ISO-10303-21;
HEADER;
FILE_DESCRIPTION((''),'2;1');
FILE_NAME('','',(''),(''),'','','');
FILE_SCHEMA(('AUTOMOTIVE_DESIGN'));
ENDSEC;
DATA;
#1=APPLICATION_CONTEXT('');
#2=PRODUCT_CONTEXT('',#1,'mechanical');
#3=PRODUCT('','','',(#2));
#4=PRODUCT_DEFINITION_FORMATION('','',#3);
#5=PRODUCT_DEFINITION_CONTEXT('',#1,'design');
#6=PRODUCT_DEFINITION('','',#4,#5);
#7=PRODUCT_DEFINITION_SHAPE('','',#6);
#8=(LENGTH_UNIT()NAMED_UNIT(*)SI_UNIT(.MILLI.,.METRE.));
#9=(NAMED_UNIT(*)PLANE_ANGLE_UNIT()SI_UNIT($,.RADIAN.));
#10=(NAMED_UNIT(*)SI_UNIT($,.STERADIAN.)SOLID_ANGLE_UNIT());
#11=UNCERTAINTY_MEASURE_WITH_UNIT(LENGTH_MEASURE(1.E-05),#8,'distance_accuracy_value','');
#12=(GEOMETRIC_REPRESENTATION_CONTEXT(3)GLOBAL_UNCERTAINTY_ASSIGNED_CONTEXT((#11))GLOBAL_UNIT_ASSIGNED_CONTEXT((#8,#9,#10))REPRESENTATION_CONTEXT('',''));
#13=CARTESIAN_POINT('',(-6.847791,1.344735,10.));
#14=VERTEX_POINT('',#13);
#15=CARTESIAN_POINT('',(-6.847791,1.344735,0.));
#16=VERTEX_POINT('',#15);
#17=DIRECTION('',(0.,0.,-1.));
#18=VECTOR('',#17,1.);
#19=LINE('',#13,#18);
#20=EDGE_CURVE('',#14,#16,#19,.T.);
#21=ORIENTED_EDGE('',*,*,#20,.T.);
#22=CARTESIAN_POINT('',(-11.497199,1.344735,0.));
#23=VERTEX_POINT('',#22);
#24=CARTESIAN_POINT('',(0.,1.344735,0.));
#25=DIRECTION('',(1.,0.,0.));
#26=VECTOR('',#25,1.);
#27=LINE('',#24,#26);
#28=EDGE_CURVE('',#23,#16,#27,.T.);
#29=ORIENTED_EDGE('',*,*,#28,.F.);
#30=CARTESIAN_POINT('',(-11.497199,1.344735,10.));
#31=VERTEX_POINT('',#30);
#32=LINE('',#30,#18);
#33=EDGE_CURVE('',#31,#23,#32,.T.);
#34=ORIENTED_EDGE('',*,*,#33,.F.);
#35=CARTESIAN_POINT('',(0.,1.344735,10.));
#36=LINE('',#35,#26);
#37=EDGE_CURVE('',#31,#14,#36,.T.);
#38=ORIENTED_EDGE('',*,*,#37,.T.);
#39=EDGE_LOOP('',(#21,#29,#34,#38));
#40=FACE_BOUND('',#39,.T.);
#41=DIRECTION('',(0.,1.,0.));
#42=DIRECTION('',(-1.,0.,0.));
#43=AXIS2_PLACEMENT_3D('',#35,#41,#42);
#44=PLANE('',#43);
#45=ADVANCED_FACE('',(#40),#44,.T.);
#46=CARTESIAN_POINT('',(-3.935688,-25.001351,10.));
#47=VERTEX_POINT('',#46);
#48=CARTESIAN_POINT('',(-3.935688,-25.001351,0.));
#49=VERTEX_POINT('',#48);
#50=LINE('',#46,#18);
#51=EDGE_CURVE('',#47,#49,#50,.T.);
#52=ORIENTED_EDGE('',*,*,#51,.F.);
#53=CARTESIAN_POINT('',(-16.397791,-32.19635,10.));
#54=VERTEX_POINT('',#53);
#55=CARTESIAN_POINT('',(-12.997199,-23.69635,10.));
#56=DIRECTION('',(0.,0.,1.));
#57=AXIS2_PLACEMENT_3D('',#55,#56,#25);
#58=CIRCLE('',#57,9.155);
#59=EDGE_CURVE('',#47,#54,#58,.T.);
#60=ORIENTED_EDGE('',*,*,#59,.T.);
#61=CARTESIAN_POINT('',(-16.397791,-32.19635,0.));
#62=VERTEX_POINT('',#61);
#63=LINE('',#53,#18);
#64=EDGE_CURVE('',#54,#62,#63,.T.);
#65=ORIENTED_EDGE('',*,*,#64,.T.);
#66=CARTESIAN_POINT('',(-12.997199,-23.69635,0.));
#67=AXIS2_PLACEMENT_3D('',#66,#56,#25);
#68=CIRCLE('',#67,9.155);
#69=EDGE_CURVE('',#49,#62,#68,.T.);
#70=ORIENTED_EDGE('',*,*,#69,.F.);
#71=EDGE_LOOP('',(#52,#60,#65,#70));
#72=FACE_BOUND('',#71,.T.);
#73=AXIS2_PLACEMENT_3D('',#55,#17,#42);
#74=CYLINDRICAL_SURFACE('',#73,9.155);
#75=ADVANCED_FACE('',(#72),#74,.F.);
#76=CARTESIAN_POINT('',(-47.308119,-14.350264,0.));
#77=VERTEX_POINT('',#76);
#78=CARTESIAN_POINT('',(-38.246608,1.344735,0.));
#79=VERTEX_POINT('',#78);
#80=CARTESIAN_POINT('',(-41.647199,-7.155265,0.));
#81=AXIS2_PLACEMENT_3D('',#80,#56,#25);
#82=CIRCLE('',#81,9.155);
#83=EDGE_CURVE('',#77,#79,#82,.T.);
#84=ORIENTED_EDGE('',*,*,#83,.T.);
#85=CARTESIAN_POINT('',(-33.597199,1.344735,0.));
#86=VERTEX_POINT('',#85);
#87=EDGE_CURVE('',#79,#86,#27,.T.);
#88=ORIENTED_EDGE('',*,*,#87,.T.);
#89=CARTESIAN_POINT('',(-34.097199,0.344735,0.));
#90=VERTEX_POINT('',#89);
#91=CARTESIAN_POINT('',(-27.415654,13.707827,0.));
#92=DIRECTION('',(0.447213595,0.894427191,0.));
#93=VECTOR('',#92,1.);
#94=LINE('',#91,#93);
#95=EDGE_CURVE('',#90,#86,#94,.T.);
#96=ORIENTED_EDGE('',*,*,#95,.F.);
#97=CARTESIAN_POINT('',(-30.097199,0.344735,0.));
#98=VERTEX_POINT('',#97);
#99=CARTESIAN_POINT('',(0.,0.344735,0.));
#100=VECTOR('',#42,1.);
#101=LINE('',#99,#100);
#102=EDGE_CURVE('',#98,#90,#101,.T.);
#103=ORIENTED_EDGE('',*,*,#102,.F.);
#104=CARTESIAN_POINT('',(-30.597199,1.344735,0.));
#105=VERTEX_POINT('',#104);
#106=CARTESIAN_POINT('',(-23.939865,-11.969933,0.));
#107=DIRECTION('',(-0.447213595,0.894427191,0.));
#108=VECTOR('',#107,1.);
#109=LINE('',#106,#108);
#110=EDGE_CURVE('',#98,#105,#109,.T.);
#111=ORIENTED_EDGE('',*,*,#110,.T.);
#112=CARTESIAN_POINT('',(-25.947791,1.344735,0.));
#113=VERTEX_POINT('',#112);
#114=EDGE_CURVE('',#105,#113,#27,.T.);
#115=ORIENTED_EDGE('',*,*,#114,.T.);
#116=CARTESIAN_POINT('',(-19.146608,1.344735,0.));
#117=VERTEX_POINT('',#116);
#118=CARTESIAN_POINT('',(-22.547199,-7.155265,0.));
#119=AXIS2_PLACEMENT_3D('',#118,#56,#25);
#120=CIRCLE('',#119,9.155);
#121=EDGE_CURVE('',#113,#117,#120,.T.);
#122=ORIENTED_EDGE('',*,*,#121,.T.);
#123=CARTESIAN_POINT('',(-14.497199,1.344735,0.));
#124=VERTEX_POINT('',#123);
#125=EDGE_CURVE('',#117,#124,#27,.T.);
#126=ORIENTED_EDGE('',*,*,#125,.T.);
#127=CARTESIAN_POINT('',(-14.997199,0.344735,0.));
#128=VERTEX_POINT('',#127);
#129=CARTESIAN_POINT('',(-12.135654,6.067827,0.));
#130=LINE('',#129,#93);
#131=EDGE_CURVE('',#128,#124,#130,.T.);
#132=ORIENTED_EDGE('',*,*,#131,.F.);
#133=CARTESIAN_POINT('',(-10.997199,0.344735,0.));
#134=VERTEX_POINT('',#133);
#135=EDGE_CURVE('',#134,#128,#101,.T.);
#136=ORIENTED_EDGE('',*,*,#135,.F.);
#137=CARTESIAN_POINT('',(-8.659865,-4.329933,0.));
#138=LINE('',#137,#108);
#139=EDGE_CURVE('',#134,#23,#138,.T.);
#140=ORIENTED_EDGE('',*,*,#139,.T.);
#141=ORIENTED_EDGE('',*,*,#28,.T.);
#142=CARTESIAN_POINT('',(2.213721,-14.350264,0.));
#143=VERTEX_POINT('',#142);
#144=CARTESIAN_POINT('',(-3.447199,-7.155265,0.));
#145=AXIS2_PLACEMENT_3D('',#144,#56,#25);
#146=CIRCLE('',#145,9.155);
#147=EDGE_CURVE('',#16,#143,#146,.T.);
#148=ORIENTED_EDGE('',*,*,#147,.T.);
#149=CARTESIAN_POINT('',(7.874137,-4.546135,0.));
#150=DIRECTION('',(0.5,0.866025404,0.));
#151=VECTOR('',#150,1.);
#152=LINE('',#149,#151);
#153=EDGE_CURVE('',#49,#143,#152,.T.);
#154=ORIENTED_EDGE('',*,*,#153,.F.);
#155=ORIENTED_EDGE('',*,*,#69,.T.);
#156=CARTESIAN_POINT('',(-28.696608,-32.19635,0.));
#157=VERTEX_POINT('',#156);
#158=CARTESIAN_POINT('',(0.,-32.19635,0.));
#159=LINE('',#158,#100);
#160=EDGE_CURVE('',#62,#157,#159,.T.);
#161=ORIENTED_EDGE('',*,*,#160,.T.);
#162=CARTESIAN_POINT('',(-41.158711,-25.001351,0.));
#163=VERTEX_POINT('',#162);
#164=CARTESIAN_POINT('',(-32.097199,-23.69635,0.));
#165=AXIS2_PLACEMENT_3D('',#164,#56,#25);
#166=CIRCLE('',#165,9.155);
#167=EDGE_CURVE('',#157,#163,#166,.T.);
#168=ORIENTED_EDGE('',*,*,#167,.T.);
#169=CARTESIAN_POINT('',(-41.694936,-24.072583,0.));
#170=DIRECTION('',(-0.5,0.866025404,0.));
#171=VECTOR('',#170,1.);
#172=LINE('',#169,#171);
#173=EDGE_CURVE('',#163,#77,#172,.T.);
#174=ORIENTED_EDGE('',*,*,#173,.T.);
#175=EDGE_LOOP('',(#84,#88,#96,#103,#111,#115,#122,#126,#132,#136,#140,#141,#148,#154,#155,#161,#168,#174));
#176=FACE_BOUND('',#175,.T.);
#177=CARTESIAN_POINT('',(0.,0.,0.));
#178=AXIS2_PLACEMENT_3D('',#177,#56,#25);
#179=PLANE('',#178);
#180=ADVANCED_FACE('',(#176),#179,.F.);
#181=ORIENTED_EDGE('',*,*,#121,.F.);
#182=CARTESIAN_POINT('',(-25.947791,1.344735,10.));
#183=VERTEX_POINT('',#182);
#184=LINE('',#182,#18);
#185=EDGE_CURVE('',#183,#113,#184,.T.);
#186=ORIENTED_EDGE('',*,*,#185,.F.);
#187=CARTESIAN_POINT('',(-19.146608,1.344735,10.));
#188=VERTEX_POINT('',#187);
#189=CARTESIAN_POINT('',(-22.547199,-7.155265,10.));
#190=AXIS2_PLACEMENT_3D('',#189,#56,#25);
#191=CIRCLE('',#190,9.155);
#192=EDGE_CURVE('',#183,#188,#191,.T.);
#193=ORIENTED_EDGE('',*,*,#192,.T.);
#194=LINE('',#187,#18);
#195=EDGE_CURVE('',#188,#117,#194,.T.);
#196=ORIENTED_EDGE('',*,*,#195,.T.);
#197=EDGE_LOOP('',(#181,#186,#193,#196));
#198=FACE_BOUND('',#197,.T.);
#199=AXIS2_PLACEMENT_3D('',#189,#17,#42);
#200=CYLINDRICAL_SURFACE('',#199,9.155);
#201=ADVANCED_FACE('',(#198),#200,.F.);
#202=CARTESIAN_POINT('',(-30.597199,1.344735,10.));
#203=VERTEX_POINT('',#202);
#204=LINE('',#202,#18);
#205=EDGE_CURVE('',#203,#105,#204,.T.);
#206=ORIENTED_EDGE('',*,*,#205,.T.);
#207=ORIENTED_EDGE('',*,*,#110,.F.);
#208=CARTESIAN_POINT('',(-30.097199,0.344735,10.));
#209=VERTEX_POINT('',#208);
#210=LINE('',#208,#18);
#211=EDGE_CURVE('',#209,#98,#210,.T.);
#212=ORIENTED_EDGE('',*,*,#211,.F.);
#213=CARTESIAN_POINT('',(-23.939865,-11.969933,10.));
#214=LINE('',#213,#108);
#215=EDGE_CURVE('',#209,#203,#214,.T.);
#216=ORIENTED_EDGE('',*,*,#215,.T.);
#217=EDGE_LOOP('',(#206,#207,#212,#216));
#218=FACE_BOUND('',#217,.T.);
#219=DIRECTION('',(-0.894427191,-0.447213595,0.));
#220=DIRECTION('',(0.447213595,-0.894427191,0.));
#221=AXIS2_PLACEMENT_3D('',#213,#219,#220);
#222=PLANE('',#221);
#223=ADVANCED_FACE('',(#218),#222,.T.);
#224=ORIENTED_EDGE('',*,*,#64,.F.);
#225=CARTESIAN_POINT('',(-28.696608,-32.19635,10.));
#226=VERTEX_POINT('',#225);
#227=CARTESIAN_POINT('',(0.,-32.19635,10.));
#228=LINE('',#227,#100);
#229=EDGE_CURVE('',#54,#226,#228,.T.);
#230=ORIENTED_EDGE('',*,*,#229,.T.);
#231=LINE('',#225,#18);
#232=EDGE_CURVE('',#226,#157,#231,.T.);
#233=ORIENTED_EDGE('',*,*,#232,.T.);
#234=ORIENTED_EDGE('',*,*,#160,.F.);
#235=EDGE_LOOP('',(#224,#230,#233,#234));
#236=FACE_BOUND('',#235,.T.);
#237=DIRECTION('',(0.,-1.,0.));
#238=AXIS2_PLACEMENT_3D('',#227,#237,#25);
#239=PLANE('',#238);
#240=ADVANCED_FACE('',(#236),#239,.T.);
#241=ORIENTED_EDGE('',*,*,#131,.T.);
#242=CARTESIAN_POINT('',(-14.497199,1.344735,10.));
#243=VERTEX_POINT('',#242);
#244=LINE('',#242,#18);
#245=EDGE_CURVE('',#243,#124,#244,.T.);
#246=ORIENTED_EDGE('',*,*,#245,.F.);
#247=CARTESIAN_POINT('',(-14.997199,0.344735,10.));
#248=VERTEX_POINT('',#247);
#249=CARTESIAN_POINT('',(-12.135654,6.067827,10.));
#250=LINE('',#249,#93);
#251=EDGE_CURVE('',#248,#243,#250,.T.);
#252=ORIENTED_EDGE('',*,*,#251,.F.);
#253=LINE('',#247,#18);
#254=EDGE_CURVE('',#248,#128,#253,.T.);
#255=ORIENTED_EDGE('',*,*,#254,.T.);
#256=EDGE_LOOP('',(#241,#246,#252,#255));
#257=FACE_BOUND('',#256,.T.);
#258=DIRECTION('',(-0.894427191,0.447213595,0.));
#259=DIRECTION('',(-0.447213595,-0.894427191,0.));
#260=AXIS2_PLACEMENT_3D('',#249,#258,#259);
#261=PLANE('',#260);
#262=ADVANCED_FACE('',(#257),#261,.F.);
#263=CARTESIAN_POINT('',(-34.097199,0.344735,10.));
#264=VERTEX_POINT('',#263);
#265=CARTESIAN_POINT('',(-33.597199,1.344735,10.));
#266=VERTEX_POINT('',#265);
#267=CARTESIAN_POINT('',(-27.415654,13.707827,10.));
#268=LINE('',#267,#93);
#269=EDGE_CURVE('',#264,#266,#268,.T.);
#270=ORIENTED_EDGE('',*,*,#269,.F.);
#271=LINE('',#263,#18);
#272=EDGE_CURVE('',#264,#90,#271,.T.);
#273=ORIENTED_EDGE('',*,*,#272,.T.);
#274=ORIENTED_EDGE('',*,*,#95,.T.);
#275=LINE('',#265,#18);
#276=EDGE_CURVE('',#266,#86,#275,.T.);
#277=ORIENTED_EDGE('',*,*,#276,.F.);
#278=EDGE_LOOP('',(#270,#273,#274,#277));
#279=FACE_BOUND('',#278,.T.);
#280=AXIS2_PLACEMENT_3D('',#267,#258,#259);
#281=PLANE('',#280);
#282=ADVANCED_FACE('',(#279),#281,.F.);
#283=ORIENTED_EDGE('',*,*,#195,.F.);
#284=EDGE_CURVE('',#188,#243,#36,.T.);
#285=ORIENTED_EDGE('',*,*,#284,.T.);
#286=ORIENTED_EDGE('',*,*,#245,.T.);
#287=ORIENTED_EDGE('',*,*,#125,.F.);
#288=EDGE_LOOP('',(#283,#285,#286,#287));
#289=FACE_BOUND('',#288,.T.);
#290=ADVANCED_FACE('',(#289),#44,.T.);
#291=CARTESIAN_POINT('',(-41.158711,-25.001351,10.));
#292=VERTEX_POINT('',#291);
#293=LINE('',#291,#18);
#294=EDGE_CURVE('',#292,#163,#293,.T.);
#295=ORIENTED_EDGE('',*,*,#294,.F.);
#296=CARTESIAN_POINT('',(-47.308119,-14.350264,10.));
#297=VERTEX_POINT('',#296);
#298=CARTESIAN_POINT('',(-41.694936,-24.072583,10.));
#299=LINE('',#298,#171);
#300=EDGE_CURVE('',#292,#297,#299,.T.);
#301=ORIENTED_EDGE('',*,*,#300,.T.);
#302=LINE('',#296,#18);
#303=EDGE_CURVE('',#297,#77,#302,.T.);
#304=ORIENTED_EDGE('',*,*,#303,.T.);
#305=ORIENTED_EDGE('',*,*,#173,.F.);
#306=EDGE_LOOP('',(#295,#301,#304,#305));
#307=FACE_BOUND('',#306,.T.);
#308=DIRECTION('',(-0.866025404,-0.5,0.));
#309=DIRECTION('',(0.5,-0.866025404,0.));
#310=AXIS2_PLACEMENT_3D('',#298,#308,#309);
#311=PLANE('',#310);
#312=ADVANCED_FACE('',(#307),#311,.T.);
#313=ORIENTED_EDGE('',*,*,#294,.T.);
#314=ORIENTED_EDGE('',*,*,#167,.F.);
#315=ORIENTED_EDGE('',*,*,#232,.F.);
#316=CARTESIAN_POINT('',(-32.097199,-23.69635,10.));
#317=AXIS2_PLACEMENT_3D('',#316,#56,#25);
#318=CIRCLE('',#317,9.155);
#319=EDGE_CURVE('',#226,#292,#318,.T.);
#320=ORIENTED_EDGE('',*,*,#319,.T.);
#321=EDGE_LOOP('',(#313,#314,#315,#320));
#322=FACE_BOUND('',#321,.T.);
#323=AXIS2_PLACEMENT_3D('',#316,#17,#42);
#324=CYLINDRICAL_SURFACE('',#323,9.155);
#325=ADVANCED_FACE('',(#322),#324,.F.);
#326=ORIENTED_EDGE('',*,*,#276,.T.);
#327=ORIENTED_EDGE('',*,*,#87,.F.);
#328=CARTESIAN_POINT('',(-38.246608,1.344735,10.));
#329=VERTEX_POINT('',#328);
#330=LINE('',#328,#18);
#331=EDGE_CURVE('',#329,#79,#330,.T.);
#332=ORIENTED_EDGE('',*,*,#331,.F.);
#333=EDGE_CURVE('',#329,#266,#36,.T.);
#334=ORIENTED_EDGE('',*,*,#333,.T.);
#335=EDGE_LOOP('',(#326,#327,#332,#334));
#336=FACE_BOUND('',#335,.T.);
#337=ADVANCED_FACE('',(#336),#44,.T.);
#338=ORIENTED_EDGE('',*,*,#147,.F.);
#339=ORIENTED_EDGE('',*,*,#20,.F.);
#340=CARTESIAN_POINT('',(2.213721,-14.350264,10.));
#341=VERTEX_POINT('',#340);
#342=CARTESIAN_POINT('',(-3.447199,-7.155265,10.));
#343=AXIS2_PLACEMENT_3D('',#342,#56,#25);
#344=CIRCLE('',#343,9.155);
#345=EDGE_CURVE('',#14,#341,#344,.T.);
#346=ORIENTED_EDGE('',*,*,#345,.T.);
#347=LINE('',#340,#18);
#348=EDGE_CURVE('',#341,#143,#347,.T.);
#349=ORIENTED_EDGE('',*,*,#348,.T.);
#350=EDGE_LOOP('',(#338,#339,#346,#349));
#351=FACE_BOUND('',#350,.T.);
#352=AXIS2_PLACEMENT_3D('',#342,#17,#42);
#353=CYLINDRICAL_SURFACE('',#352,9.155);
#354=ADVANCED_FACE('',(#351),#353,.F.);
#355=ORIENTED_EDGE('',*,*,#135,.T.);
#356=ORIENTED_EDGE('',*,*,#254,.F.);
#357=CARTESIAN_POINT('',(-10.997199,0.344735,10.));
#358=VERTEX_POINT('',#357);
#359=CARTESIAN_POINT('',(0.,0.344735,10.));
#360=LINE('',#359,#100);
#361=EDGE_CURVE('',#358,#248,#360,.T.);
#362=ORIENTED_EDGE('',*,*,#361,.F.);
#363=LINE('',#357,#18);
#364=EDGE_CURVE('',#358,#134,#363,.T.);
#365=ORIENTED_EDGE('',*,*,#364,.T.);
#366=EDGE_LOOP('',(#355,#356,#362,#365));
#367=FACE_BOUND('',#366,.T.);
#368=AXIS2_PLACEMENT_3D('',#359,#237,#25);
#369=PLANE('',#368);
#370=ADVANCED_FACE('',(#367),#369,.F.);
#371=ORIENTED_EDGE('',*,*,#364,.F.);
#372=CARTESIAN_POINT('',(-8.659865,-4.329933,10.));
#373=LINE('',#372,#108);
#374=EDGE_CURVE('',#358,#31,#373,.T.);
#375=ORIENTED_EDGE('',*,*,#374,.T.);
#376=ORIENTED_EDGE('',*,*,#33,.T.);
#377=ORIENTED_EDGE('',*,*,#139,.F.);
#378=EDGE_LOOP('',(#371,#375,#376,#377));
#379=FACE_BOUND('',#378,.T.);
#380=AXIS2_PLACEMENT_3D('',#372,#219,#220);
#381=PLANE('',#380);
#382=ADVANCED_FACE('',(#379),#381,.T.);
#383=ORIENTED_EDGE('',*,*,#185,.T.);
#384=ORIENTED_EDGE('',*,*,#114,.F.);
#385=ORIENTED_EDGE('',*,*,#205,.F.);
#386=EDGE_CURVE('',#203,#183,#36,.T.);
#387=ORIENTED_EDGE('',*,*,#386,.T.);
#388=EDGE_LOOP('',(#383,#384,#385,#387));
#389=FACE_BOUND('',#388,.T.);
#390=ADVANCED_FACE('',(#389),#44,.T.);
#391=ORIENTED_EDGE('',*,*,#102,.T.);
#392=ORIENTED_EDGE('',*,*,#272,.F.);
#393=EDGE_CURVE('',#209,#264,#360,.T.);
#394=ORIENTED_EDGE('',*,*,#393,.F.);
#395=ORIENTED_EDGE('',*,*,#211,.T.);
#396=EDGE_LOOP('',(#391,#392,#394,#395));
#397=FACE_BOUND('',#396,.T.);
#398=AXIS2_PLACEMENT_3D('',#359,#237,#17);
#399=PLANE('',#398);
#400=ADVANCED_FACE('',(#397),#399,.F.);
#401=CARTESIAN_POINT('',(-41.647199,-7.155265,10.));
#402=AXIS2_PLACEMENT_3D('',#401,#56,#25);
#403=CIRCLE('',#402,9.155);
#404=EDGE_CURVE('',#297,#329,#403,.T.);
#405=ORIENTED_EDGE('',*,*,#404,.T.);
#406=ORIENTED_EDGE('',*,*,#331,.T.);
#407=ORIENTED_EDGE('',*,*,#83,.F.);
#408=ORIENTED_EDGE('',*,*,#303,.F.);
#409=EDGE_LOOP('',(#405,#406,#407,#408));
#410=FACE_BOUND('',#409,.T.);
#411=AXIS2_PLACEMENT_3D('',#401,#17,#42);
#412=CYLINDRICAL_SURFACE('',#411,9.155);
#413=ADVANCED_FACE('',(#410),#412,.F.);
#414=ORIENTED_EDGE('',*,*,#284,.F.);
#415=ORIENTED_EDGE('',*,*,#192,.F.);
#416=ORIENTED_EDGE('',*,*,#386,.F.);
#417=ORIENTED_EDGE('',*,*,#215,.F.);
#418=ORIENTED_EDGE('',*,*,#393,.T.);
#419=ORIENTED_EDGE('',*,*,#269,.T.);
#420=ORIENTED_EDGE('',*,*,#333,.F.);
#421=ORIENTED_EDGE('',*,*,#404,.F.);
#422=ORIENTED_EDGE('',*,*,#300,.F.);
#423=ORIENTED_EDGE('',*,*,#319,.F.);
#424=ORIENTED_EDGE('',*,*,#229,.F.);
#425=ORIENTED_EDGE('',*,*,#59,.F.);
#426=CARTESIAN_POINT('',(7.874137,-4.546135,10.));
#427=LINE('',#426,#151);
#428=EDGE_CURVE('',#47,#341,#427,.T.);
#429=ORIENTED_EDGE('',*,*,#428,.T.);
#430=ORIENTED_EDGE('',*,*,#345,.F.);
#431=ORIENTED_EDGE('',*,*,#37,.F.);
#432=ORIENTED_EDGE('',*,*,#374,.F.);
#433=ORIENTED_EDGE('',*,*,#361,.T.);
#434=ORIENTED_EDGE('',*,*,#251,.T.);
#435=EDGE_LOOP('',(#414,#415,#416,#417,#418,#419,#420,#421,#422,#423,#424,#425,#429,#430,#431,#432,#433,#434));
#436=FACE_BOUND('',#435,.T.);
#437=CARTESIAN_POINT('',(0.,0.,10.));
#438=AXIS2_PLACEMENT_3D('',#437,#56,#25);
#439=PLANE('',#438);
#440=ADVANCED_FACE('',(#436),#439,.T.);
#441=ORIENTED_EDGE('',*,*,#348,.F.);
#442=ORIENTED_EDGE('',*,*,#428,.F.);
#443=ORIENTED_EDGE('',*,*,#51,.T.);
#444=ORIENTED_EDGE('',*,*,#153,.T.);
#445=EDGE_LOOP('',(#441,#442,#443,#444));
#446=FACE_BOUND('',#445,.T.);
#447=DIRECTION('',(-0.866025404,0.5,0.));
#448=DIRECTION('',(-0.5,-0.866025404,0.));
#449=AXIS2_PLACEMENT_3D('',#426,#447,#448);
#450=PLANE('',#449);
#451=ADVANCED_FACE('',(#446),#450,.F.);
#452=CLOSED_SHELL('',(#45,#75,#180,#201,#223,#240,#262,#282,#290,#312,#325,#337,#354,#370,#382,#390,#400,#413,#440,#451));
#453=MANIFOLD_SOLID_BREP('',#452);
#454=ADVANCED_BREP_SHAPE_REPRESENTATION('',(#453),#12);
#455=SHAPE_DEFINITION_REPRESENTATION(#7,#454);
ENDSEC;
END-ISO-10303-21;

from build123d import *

# Parameters (mm, degrees)
BOSS_EXTRUDE1_DEPTH = 10
CUT_EXTRUDE1_DEPTH  = 11


with BuildPart() as part:
    # Sketch4 → Boss-Extrude1 (new body)
    with BuildSketch(Plane.XY):
        with BuildLine():
            Line((-47.308119418, -14.350263576), (-41.158711278, -25.001350911))
            ThreePointArc((-41.158711278, -25.001350911), (-27.519699416, -15.767887278), (-28.696607556, -32.196349849))
            Line((-28.696607556, -32.196349849), (-16.397791276, -32.196349849))
            ThreePointArc((-16.397791276, -32.196349849), (-17.574699416, -15.767887278), (-3.935687554, -25.001350911))
            Line((-3.935687554, -25.001350911), (2.213720586, -14.350263576))
            ThreePointArc((2.213720586, -14.350263576), (-11.375661988, -11.732764637), (-6.847791276, 1.344735363))
            Line((-6.847791276, 1.344735363), (-19.146607556, 1.344735363))
            ThreePointArc((-19.146607556, 1.344735363), (-22.547199416, -16.310264637), (-25.947791276, 1.344735363))
            Line((-25.947791276, 1.344735363), (-38.246607556, 1.344735363))
            ThreePointArc((-38.246607556, 1.344735363), (-33.718736844, -11.732764637), (-47.308119418, -14.350263576))
        make_face()
    extrude(amount=BOSS_EXTRUDE1_DEPTH)

    # Sketch5 → Cut-Extrude1 (cut, through all)
    with BuildSketch(Plane(origin=(0, 0, 0), x_dir=(-1, 0, 0), z_dir=(0, 0, -1))):
        Polygon((12.997199416, 1.344735363), (12.997199416, 0.344735363), (14.997199416, 0.344735363), (14.497199416, 1.344735363), align=None)
        Polygon((11.497199416, 1.344735363), (10.997199416, 0.344735363), (12.997199416, 0.344735363), (12.997199416, 1.344735363), align=None)
        Polygon((32.097199416, 0.344735363), (32.097199416, 1.344735363), (30.597199416, 1.344735363), (30.097199416, 0.344735363), align=None)
        Polygon((33.597199416, 1.344735363), (32.097199416, 1.344735363), (32.097199416, 0.344735363), (34.097199416, 0.344735363), align=None)
    extrude(amount=-CUT_EXTRUDE1_DEPTH, mode=Mode.SUBTRACT)


solid = part.part
